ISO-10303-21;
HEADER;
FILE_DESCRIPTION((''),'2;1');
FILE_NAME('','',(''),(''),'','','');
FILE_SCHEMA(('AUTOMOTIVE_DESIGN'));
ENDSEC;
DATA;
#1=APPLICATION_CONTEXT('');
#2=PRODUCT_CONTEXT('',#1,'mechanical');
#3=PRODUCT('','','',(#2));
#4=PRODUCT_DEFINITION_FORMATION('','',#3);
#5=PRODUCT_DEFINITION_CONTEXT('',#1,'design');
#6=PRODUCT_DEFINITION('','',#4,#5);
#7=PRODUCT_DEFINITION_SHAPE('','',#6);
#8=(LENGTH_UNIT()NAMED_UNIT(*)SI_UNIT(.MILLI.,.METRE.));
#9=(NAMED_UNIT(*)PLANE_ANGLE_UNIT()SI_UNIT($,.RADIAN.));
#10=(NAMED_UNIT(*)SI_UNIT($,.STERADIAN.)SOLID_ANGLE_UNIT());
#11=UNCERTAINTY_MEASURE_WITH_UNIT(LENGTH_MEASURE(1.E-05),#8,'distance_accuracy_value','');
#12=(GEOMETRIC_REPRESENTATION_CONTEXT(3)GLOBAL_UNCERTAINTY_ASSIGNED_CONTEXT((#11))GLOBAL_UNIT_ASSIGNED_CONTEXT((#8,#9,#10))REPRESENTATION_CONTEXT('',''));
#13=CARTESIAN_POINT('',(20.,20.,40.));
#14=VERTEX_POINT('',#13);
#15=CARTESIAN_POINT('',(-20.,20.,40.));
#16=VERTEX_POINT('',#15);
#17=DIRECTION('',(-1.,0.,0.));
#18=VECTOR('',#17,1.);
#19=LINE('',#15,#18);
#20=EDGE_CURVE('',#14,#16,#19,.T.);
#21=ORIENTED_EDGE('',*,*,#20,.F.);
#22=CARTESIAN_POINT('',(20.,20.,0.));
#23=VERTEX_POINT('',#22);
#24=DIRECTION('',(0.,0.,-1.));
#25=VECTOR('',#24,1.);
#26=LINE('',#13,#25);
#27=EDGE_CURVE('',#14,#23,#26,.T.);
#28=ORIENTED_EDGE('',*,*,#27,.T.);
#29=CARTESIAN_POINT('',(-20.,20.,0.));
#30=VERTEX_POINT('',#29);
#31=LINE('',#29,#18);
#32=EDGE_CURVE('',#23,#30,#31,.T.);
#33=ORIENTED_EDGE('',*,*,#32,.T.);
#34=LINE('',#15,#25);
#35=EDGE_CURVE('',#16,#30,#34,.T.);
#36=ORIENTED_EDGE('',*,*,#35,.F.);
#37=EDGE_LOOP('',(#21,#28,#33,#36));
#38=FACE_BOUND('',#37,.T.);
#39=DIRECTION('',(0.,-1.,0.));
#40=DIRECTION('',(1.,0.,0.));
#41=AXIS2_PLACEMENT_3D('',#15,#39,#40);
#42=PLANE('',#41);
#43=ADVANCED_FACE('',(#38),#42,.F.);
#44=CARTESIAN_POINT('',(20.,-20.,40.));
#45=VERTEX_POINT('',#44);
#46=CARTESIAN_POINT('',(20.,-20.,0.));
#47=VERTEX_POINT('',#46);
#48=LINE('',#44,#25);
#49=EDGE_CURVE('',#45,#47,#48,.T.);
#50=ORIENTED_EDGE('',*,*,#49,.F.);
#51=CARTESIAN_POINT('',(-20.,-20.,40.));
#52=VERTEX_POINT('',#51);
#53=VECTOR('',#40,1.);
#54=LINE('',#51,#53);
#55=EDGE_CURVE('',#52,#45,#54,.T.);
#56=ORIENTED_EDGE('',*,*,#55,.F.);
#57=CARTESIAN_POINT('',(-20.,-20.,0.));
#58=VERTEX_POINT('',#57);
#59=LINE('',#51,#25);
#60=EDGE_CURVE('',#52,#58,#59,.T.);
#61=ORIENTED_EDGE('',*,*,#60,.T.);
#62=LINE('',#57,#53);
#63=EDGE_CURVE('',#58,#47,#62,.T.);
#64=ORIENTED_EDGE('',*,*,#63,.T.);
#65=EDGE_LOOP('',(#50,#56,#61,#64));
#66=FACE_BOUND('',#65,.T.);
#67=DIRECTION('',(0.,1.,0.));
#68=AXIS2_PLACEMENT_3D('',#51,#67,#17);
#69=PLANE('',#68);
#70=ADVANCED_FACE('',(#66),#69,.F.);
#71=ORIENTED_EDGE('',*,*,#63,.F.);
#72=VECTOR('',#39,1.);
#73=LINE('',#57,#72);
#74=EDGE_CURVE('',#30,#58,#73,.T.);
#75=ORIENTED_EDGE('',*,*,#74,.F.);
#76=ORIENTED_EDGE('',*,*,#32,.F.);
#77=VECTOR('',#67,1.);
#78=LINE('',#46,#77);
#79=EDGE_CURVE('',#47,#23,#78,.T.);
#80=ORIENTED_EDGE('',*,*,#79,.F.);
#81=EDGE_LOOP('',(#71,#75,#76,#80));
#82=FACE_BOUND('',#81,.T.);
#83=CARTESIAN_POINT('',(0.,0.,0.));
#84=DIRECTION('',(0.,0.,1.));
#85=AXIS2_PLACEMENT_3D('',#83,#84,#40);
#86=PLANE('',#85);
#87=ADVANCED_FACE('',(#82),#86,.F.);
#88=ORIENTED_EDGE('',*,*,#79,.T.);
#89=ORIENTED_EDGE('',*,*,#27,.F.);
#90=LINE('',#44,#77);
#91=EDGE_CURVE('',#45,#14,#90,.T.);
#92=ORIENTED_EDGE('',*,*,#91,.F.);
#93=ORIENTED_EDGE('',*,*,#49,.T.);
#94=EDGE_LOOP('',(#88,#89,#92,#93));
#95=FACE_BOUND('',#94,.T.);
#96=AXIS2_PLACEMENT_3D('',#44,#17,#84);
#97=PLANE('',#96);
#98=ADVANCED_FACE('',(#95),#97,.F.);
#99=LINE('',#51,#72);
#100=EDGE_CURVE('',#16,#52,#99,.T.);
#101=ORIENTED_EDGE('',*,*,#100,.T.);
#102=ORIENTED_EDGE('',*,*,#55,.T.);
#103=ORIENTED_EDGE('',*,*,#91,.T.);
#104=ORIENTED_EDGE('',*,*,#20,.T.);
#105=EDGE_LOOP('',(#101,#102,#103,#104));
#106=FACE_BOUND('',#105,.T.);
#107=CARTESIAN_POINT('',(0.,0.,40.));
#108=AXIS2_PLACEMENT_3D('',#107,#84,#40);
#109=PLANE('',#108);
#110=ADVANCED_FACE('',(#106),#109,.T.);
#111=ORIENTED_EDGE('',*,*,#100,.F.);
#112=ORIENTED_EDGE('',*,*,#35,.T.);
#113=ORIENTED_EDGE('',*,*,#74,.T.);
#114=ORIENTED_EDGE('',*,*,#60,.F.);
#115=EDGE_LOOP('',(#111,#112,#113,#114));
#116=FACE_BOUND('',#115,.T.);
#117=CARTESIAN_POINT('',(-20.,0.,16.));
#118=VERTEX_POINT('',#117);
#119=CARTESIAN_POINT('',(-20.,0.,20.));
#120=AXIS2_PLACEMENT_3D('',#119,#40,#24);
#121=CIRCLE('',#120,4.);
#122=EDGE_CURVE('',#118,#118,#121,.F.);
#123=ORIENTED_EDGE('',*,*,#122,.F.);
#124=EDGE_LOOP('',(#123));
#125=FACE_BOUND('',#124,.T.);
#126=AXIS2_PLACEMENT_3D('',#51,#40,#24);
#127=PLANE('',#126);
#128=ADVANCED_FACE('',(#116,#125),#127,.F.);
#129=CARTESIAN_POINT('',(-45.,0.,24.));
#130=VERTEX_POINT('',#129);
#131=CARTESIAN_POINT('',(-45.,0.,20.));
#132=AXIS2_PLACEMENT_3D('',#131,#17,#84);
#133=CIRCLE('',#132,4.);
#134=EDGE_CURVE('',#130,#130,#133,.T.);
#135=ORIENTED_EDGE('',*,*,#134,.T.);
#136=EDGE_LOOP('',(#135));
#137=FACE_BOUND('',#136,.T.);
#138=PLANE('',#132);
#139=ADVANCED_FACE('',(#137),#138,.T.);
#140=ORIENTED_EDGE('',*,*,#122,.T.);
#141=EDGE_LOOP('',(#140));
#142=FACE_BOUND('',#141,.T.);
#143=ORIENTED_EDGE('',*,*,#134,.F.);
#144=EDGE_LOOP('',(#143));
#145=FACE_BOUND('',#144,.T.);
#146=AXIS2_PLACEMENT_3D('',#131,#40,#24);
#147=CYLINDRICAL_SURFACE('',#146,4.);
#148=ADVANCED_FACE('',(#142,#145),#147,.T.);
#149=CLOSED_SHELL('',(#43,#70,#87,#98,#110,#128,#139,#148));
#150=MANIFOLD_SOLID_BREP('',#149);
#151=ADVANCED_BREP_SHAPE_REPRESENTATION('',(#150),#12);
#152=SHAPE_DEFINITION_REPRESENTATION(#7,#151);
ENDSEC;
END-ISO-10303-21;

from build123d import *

# Parameters (mm, degrees)
SKETCH2_W           = 40
SKETCH2_H           = 40
BOSS_EXTRUDE1_DEPTH = 40
SKETCH3_R           = 4
BOSS_EXTRUDE2_DEPTH = 25


with BuildPart() as part:
    # Sketch2 → Boss-Extrude1 (new body)
    with BuildSketch(Plane(origin=(0, 0, 0), x_dir=(0, 1, 0), z_dir=(0, 0, 1))):
        Rectangle(SKETCH2_W, SKETCH2_H)
    extrude(amount=BOSS_EXTRUDE1_DEPTH)

    # Sketch3 → Boss-Extrude2 (add)
    with BuildSketch(Plane(origin=(-20, 0, 0), x_dir=(0, -1, 0), z_dir=(-1, 0, 0))):
        with Locations(Location((0, 20, 0), (0, 0, 270))):
            Circle(SKETCH3_R)
    extrude(amount=BOSS_EXTRUDE2_DEPTH)


solid = part.part
